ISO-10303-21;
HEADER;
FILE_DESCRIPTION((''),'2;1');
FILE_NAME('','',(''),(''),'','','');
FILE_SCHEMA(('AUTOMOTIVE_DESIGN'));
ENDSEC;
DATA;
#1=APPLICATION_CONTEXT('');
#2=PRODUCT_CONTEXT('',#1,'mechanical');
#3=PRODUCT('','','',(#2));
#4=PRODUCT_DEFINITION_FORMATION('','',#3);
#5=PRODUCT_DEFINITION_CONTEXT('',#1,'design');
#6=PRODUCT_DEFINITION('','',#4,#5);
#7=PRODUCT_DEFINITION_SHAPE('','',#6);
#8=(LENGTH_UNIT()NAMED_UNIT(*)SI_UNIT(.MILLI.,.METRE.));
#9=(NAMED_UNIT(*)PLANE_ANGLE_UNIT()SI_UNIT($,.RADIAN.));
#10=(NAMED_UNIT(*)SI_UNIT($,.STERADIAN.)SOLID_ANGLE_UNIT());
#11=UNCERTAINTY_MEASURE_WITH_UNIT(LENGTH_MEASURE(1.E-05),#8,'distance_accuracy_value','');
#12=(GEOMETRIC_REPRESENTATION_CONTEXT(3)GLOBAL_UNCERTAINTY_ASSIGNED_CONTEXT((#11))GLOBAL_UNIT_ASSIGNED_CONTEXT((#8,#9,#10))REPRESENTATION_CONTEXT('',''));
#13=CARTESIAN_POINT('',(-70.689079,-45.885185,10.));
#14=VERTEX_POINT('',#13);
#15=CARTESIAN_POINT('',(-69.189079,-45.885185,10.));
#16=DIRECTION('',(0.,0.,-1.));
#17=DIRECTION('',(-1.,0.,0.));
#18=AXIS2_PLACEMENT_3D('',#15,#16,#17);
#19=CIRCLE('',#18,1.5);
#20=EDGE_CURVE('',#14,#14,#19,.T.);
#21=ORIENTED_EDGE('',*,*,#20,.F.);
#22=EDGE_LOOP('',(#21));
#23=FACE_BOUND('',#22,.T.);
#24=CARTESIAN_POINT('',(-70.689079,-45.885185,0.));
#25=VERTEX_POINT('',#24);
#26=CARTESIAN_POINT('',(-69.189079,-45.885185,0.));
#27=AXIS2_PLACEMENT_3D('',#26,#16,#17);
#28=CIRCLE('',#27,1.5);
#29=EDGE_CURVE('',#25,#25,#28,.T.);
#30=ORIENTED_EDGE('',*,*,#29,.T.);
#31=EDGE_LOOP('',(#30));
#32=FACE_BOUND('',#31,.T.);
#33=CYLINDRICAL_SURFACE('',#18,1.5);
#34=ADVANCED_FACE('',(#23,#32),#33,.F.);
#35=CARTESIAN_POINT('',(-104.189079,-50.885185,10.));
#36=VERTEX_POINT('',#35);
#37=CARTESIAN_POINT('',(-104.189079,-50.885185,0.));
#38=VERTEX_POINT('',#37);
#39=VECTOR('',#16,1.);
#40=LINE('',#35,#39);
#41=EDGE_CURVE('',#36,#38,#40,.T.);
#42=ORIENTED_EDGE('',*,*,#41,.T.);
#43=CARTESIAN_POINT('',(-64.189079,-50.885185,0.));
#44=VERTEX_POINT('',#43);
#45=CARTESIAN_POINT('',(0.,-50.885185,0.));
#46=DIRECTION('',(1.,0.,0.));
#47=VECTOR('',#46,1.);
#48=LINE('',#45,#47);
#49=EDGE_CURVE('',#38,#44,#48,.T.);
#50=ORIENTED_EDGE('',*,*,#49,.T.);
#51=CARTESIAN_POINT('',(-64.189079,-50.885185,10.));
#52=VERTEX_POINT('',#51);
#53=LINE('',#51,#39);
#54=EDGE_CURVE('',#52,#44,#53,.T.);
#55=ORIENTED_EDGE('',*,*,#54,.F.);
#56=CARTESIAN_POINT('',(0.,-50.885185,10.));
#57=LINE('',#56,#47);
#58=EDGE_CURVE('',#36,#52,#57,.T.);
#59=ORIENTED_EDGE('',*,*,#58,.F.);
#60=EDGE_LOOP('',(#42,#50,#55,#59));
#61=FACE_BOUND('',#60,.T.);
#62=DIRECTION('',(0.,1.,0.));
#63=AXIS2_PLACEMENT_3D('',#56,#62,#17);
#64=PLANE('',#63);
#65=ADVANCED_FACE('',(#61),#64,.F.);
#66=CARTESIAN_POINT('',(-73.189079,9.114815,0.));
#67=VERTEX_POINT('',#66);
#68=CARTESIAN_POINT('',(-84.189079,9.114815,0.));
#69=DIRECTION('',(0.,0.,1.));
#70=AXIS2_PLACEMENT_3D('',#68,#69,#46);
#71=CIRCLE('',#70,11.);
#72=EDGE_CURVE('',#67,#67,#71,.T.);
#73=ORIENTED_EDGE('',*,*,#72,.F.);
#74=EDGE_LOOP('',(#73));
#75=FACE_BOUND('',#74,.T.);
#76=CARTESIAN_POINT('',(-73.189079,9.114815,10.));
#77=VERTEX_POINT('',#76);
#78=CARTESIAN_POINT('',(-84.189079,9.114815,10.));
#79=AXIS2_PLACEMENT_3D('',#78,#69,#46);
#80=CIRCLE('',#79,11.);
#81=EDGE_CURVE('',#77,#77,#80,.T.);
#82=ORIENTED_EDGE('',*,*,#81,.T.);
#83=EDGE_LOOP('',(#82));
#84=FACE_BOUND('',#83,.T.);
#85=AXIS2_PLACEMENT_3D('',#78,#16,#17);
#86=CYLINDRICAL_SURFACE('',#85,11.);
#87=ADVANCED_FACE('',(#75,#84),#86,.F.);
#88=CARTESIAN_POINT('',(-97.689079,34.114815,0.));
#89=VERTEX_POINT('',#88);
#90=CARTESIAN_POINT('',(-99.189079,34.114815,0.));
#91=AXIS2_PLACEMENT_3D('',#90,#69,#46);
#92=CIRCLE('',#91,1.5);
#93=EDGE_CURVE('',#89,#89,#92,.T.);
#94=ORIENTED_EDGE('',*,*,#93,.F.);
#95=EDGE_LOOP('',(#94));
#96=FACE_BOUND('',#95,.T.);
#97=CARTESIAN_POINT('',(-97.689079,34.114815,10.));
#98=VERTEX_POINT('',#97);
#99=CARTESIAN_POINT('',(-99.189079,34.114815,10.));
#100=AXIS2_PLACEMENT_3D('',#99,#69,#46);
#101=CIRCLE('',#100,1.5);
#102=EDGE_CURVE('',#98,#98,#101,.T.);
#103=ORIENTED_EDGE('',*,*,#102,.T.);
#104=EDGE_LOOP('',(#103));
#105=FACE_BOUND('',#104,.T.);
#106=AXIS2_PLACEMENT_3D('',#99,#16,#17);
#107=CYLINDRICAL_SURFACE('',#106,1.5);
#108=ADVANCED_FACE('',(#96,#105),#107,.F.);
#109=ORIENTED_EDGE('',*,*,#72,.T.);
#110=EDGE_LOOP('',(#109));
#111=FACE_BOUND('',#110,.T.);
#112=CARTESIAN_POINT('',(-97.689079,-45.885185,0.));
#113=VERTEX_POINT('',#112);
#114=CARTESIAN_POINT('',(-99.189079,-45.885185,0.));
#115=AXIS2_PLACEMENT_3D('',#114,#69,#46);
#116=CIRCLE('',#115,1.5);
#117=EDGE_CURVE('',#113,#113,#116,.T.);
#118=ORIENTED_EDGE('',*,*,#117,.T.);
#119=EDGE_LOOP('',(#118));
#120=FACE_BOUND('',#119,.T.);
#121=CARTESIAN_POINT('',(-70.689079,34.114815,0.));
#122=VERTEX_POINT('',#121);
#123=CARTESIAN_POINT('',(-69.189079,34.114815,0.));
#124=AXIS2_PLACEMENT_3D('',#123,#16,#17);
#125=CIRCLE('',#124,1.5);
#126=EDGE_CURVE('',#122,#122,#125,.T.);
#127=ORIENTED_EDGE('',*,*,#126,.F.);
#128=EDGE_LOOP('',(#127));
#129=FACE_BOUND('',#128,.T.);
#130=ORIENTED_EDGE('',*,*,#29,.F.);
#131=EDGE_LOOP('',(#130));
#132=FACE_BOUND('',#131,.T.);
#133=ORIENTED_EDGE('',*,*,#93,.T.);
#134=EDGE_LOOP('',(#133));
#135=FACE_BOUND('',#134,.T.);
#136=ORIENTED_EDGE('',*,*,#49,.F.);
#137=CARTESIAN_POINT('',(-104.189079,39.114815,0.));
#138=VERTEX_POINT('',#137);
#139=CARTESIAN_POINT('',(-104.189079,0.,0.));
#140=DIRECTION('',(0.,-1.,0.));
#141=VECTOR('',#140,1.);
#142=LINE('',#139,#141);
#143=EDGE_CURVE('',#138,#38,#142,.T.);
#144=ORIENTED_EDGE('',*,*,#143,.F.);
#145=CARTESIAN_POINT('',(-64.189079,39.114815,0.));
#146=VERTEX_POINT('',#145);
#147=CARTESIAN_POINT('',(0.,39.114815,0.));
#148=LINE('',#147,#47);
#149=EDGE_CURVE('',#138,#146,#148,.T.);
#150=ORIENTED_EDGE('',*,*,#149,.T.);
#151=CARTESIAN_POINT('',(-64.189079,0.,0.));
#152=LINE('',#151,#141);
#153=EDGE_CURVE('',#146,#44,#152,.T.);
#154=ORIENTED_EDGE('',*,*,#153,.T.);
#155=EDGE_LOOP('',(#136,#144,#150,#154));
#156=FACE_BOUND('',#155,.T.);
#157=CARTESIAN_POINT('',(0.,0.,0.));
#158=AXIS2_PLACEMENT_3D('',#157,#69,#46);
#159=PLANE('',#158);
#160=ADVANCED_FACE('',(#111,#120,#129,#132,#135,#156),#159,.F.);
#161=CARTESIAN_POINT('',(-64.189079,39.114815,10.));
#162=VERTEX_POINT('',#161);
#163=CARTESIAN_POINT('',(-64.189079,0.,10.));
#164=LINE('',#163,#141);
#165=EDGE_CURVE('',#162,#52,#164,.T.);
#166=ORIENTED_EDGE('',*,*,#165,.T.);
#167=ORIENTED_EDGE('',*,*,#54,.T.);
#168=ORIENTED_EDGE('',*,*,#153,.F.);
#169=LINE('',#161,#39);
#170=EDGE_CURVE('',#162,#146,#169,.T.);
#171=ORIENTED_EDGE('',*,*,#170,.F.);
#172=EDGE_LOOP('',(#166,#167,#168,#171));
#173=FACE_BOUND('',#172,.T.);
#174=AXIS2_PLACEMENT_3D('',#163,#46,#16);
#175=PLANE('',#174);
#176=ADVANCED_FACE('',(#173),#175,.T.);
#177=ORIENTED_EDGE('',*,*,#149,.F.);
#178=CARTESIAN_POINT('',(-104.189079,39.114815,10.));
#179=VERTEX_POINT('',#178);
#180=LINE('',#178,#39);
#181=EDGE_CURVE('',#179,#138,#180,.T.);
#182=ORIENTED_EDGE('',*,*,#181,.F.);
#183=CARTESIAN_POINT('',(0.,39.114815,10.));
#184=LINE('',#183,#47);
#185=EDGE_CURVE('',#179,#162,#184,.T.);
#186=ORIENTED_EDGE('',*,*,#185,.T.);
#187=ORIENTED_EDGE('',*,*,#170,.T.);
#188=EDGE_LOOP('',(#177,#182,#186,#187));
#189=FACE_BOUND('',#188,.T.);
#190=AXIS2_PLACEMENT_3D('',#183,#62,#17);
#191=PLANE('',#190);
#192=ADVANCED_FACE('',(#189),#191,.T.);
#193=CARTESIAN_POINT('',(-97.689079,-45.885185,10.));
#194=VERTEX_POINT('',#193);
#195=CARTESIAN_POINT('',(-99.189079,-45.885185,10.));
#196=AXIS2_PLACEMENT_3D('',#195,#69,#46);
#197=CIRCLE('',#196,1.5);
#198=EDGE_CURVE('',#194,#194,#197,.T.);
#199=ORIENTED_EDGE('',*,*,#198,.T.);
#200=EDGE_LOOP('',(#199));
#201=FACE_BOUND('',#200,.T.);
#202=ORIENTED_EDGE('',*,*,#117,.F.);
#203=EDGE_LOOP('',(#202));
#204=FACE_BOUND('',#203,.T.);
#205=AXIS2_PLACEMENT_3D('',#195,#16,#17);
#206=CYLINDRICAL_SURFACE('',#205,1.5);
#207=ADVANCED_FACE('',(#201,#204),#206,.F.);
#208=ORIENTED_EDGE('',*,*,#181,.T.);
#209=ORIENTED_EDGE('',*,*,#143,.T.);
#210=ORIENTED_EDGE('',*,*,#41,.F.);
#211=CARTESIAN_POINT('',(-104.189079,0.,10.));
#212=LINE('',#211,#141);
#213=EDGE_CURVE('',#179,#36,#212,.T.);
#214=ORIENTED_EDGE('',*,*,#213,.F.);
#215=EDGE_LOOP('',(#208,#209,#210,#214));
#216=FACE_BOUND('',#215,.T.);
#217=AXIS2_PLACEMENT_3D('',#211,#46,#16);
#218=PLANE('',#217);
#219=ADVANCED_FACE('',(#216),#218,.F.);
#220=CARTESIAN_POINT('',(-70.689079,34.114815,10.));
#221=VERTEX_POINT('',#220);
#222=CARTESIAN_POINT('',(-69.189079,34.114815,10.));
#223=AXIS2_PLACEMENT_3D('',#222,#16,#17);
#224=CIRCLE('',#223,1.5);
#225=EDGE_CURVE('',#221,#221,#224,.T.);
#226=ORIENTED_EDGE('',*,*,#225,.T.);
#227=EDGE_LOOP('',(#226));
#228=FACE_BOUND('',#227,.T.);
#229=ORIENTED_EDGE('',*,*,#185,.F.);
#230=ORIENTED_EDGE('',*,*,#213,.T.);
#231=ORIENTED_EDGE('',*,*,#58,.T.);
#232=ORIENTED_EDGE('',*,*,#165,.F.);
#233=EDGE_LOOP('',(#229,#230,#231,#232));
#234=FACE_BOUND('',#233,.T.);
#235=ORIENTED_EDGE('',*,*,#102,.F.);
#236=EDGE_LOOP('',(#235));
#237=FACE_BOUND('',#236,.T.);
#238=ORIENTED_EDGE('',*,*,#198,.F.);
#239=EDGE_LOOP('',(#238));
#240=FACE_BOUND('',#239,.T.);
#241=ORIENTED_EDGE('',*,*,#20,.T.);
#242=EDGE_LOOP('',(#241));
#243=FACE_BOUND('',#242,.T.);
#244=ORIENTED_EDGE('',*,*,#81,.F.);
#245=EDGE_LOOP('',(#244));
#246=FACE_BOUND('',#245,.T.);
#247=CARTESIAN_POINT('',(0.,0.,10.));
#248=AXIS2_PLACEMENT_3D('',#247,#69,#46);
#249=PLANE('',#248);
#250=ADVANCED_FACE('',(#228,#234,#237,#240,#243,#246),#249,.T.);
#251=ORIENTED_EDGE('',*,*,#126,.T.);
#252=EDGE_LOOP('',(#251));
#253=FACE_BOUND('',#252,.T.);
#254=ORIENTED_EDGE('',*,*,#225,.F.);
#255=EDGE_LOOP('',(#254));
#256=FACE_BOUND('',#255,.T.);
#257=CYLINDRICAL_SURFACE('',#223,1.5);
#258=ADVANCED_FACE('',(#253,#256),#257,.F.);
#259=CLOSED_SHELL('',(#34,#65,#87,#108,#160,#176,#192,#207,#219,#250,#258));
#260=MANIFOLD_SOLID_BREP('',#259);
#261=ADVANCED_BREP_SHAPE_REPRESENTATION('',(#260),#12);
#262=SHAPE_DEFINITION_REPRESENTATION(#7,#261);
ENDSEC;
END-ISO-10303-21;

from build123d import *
from build123d.topology import SkipClean

# Parameters (mm, degrees)
SKETCH1_R           = 1.5
BOSS_EXTRUDE1_DEPTH = 10


with BuildPart() as part:
    # Sketch1 → Boss-Extrude1 (new body)
    with BuildSketch(Plane.XY):
        with BuildLine():
            Line((-104.189078903, 39.114814762), (-104.189078903, -50.885185238))
            Line((-104.189078903, -50.885185238), (-84.189078903, -50.885185238))
            Line((-84.189078903, -50.885185238), (-84.189078903, -1.885185238))
            ThreePointArc((-84.189078903, -1.885185238), (-95.189078903, 9.114814762), (-84.189078903, 20.114814762))
            Line((-84.189078903, 20.114814762), (-84.189078903, 39.114814762))
            Line((-84.189078903, 39.114814762), (-104.189078903, 39.114814762))
        make_face()
        with Locations((-99.189078903, -45.885185238)):
            Circle(SKETCH1_R, mode=Mode.SUBTRACT)
        with Locations((-99.189078903, 34.114814762)):
            Circle(SKETCH1_R, mode=Mode.SUBTRACT)
    boss_extrude1 = extrude(amount=BOSS_EXTRUDE1_DEPTH)

    # Mirror1: Boss-Extrude1 across plane
    with SkipClean():  # the faces are left unmerged after this step: merging them gives an invalid solid
        add(boss_extrude1.mirror(Plane(origin=(-84.189078903, 0, 10), x_dir=(0, 0, 1), z_dir=(1, 0, 0))))


solid = part.part
